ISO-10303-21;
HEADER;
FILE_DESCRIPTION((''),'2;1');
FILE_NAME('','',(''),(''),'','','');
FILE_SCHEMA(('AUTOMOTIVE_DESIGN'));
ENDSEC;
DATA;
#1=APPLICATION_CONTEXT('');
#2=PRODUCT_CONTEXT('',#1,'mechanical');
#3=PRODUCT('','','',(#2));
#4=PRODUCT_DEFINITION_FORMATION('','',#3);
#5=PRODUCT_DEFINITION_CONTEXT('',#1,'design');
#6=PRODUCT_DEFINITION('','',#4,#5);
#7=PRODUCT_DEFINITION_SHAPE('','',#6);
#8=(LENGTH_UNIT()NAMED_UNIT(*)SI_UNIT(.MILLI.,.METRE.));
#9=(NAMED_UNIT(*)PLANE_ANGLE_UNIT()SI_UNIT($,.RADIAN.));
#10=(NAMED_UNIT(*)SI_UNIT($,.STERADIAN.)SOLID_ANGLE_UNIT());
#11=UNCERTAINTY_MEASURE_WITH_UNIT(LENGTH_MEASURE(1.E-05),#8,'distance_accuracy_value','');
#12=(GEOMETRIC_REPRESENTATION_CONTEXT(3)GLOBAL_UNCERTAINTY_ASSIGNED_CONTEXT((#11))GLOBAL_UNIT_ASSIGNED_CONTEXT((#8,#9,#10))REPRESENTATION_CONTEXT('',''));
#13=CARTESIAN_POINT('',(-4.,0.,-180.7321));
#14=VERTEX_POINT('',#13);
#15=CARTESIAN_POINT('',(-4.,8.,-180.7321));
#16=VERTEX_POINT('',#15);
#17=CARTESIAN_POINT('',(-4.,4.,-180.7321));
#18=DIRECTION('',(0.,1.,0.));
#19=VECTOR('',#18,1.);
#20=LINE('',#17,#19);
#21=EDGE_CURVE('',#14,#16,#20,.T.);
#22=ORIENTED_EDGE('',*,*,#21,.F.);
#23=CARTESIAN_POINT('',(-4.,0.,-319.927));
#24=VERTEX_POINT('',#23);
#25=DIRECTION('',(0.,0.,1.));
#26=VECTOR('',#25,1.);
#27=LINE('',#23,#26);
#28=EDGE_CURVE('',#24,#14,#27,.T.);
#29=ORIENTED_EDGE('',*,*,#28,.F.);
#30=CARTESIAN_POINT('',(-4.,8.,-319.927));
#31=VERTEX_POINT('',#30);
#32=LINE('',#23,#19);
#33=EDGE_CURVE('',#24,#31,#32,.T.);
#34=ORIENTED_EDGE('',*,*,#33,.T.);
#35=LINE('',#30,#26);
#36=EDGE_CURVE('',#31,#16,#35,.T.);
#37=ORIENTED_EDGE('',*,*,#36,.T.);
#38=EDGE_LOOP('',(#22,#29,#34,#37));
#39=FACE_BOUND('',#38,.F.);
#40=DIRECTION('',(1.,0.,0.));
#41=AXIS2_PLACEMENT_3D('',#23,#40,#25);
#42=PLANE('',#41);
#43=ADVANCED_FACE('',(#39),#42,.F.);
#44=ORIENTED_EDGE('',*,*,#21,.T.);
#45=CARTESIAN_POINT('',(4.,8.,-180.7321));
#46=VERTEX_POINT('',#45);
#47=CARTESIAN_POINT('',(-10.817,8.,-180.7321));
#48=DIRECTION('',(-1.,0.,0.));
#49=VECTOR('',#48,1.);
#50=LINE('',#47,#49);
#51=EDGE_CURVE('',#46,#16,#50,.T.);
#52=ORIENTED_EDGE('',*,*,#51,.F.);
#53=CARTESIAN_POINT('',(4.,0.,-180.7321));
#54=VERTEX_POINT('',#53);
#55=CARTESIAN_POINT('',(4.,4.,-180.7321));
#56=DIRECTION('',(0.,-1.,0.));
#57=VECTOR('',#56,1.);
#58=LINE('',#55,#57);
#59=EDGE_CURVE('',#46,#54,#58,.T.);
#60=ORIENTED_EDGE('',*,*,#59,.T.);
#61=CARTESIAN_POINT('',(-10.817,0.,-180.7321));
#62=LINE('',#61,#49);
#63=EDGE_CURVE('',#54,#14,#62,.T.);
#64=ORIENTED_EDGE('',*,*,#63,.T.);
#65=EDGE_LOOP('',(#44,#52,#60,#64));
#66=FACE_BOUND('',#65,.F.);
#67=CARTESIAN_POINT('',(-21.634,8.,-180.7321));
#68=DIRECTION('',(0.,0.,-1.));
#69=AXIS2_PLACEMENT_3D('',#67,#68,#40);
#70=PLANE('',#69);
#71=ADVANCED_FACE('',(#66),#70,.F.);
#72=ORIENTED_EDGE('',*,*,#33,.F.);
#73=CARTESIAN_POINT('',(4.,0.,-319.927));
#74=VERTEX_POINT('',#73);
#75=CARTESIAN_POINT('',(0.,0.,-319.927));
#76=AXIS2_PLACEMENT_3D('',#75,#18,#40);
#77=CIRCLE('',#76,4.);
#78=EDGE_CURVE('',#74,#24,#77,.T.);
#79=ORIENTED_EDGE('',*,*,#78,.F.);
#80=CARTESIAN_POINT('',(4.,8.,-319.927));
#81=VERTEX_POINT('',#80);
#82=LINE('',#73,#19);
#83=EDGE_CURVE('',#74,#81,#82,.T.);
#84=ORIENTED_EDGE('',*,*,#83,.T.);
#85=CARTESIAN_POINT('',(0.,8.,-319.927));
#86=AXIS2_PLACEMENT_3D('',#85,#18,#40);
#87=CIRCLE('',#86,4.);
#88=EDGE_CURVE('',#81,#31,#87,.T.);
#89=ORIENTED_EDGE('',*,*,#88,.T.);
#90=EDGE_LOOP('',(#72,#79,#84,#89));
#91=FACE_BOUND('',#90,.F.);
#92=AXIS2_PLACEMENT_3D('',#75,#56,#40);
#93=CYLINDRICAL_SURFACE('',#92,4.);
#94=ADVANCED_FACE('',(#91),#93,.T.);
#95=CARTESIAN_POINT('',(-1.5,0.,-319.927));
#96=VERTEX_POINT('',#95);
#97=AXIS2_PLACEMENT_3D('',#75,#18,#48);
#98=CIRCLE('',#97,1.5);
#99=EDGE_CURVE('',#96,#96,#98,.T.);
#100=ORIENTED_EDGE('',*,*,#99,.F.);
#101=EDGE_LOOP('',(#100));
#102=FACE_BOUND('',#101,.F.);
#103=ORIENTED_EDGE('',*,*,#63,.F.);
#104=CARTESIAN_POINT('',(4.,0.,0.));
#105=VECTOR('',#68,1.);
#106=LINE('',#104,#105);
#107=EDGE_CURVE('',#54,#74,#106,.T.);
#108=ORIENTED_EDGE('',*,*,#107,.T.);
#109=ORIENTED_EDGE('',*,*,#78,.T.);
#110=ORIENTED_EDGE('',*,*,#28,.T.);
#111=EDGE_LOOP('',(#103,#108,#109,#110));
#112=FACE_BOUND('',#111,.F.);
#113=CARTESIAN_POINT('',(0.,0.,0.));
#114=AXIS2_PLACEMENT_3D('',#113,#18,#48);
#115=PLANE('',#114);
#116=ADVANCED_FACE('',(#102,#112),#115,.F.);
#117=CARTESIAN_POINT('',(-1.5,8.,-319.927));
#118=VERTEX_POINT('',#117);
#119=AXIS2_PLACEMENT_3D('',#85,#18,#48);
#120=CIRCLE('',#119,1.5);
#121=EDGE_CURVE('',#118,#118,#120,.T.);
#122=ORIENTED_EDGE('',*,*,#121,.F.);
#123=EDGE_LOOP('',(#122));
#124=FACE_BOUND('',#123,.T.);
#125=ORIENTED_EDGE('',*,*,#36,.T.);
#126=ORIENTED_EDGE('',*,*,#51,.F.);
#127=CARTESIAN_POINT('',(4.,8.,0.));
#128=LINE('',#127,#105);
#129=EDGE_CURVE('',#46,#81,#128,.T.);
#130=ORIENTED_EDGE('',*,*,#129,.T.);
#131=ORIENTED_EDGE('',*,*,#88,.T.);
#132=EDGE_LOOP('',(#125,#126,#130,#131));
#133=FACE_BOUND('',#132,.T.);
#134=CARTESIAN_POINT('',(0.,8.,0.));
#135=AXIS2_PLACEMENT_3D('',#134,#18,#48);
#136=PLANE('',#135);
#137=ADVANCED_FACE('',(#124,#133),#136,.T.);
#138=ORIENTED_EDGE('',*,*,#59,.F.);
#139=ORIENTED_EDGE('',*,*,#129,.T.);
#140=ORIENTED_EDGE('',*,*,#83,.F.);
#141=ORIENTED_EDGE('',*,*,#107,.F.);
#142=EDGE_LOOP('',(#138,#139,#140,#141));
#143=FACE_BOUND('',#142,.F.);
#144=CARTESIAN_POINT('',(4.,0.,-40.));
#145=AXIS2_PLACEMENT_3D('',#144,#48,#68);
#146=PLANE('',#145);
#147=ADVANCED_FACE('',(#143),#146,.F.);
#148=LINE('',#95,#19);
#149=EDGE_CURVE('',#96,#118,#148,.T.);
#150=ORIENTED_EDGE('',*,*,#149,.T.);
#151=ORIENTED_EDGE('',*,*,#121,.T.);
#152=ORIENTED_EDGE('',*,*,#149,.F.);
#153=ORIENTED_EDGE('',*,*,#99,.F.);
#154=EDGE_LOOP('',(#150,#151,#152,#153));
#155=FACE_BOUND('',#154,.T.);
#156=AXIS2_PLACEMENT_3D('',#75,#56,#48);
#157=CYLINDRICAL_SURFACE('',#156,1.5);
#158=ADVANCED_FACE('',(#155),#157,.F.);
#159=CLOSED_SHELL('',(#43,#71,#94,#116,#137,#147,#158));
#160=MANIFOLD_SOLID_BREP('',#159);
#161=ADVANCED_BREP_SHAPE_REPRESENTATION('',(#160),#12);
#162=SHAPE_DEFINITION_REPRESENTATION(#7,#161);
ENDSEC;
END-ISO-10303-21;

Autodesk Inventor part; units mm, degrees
ref_plane "XZ Plane" through (0, 0, 0) normal (0, 1, 0) x (-1, 0, 0)
ref_plane "XY Plane" through (0, 0, 0) normal (0, 0, 1) x (1, 0, 0)
sketch "Sketch1" plane through (0, 0, 0) normal (0, 1, 0) x (-1, 0, 0)
  line L0 (0, 0) -> (0, -319.927) construction
  line L1 (-4, 0) -> (-4, -319.927)
  line L2 (4, -319.927) -> (4, 0)
  arc A0 (4, 0) -> (-4, 0) centre (0, 0) ccw
  arc A1 (-4, -319.927) -> (4, -319.927) centre (0, -319.927) ccw
  circle A2 centre (0, 0) radius 1.5
  circle A3 centre (0, -319.927) radius 1.5
  line L3 (0, -50.8) -> (0, -100) construction
  line L4 (-1.5, -50.8) -> (-1.5, -100)
  line L5 (1.5, -100) -> (1.5, -50.8)
  arc A4 (1.5, -50.8) -> (-1.5, -50.8) centre (0, -50.8) ccw
  arc A5 (-1.5, -100) -> (1.5, -100) centre (0, -100) ccw
  arc A6 (4, 0) -> (4, -40) centre (202.9975, -20) ccw
  arc A7 (-4, 0) -> (-4, -40) centre (194.9975, -20) ccw
  point P0 (0, -159.9635)
  point P1 (0, -75.4)
  dimension "d0" = 319.927
  dimension "d1" = 8
  dimension "d2" = 3
  dimension "d3" = 3
  dimension "d12" = 3
  dimension "d13" = 50.8
  dimension "d14" = 100
  dimension "d15" = 40
  dimension "d16" = 200
  dimension "d17" = 200
extrude "Extrusion1" add sketch "Sketch1" along normal blind 8 contours A0 A6 L2 A1 L1 | L1 A7
sketch "Sketch2" plane through (0, 0, 0) normal (0, -1, 0) x (1, 0, 0)
  arc A0 (4, -40) -> (4, 0) centre (-194.9975, -20) ccw projected
  arc A1 (4, 0) -> (-4, 0) centre (0, 0) ccw projected
  arc A2 (-4, -40) -> (-4, 0) centre (-202.9975, -20) ccw projected
  line L0 (-4, -319.927) -> (-4, -40) projected
  arc A3 (-4, -319.927) -> (4, -319.927) centre (0, -319.927) ccw projected
  line L1 (4, -40) -> (4, -319.927) projected
  circle A4 centre (0, 0) radius 1.5 projected
  circle A5 centre (0, -319.927) radius 1.5 projected
  arc A6 (1.5, -50.8) -> (-1.5, -50.8) centre (0, -50.8) ccw projected
  line L2 (1.5, -100) -> (1.5, -50.8) projected
  arc A7 (-1.5, -100) -> (1.5, -100) centre (0, -100) ccw projected
  line L3 (-1.5, -50.8) -> (-1.5, -100) projected
sketch "Sketch3" plane through (0, 8, 0) normal (0, 1, 0) x (1, 0, 0)
  line L0 (-21.634, 180.7321) -> (39.8396, 180.7321)
  line L1 (39.8396, 180.7321) -> (39.8396, -20.7362)
  line L2 (39.8396, -20.7362) -> (-21.634, -20.7362)
  line L3 (-21.634, -20.7362) -> (-21.634, 180.7321)
  line L4 (-50.5628, 342.9399) -> (62.0528, 342.9399)
  line L5 (62.0528, 342.9399) -> (62.0528, -55.3474)
  line L6 (62.0528, -55.3474) -> (-50.5628, -55.3474)
  line L7 (-50.5628, -55.3474) -> (-50.5628, 342.9399)
  point P0 (0, 0)
extrude "Extrusion2" cut sketch "Sketch3" along normal mid plane 20 contours L0 L1 L2 L3
sketch "Sketch4" plane through (0, 8, 0) normal (0, 1, 0) x (1, 0, 0)
  line L0 (-4, 180.7321) -> (4, 180.7321) projected
  line L1 (-4, 319.927) -> (-4, 180.7321) projected
  line L2 (4, 180.7321) -> (4, 319.927) projected
  arc A0 (4, 319.927) -> (-4, 319.927) centre (0, 319.927) ccw projected
  point P0 (0, 0)
properties part number "Part_8_p2"
